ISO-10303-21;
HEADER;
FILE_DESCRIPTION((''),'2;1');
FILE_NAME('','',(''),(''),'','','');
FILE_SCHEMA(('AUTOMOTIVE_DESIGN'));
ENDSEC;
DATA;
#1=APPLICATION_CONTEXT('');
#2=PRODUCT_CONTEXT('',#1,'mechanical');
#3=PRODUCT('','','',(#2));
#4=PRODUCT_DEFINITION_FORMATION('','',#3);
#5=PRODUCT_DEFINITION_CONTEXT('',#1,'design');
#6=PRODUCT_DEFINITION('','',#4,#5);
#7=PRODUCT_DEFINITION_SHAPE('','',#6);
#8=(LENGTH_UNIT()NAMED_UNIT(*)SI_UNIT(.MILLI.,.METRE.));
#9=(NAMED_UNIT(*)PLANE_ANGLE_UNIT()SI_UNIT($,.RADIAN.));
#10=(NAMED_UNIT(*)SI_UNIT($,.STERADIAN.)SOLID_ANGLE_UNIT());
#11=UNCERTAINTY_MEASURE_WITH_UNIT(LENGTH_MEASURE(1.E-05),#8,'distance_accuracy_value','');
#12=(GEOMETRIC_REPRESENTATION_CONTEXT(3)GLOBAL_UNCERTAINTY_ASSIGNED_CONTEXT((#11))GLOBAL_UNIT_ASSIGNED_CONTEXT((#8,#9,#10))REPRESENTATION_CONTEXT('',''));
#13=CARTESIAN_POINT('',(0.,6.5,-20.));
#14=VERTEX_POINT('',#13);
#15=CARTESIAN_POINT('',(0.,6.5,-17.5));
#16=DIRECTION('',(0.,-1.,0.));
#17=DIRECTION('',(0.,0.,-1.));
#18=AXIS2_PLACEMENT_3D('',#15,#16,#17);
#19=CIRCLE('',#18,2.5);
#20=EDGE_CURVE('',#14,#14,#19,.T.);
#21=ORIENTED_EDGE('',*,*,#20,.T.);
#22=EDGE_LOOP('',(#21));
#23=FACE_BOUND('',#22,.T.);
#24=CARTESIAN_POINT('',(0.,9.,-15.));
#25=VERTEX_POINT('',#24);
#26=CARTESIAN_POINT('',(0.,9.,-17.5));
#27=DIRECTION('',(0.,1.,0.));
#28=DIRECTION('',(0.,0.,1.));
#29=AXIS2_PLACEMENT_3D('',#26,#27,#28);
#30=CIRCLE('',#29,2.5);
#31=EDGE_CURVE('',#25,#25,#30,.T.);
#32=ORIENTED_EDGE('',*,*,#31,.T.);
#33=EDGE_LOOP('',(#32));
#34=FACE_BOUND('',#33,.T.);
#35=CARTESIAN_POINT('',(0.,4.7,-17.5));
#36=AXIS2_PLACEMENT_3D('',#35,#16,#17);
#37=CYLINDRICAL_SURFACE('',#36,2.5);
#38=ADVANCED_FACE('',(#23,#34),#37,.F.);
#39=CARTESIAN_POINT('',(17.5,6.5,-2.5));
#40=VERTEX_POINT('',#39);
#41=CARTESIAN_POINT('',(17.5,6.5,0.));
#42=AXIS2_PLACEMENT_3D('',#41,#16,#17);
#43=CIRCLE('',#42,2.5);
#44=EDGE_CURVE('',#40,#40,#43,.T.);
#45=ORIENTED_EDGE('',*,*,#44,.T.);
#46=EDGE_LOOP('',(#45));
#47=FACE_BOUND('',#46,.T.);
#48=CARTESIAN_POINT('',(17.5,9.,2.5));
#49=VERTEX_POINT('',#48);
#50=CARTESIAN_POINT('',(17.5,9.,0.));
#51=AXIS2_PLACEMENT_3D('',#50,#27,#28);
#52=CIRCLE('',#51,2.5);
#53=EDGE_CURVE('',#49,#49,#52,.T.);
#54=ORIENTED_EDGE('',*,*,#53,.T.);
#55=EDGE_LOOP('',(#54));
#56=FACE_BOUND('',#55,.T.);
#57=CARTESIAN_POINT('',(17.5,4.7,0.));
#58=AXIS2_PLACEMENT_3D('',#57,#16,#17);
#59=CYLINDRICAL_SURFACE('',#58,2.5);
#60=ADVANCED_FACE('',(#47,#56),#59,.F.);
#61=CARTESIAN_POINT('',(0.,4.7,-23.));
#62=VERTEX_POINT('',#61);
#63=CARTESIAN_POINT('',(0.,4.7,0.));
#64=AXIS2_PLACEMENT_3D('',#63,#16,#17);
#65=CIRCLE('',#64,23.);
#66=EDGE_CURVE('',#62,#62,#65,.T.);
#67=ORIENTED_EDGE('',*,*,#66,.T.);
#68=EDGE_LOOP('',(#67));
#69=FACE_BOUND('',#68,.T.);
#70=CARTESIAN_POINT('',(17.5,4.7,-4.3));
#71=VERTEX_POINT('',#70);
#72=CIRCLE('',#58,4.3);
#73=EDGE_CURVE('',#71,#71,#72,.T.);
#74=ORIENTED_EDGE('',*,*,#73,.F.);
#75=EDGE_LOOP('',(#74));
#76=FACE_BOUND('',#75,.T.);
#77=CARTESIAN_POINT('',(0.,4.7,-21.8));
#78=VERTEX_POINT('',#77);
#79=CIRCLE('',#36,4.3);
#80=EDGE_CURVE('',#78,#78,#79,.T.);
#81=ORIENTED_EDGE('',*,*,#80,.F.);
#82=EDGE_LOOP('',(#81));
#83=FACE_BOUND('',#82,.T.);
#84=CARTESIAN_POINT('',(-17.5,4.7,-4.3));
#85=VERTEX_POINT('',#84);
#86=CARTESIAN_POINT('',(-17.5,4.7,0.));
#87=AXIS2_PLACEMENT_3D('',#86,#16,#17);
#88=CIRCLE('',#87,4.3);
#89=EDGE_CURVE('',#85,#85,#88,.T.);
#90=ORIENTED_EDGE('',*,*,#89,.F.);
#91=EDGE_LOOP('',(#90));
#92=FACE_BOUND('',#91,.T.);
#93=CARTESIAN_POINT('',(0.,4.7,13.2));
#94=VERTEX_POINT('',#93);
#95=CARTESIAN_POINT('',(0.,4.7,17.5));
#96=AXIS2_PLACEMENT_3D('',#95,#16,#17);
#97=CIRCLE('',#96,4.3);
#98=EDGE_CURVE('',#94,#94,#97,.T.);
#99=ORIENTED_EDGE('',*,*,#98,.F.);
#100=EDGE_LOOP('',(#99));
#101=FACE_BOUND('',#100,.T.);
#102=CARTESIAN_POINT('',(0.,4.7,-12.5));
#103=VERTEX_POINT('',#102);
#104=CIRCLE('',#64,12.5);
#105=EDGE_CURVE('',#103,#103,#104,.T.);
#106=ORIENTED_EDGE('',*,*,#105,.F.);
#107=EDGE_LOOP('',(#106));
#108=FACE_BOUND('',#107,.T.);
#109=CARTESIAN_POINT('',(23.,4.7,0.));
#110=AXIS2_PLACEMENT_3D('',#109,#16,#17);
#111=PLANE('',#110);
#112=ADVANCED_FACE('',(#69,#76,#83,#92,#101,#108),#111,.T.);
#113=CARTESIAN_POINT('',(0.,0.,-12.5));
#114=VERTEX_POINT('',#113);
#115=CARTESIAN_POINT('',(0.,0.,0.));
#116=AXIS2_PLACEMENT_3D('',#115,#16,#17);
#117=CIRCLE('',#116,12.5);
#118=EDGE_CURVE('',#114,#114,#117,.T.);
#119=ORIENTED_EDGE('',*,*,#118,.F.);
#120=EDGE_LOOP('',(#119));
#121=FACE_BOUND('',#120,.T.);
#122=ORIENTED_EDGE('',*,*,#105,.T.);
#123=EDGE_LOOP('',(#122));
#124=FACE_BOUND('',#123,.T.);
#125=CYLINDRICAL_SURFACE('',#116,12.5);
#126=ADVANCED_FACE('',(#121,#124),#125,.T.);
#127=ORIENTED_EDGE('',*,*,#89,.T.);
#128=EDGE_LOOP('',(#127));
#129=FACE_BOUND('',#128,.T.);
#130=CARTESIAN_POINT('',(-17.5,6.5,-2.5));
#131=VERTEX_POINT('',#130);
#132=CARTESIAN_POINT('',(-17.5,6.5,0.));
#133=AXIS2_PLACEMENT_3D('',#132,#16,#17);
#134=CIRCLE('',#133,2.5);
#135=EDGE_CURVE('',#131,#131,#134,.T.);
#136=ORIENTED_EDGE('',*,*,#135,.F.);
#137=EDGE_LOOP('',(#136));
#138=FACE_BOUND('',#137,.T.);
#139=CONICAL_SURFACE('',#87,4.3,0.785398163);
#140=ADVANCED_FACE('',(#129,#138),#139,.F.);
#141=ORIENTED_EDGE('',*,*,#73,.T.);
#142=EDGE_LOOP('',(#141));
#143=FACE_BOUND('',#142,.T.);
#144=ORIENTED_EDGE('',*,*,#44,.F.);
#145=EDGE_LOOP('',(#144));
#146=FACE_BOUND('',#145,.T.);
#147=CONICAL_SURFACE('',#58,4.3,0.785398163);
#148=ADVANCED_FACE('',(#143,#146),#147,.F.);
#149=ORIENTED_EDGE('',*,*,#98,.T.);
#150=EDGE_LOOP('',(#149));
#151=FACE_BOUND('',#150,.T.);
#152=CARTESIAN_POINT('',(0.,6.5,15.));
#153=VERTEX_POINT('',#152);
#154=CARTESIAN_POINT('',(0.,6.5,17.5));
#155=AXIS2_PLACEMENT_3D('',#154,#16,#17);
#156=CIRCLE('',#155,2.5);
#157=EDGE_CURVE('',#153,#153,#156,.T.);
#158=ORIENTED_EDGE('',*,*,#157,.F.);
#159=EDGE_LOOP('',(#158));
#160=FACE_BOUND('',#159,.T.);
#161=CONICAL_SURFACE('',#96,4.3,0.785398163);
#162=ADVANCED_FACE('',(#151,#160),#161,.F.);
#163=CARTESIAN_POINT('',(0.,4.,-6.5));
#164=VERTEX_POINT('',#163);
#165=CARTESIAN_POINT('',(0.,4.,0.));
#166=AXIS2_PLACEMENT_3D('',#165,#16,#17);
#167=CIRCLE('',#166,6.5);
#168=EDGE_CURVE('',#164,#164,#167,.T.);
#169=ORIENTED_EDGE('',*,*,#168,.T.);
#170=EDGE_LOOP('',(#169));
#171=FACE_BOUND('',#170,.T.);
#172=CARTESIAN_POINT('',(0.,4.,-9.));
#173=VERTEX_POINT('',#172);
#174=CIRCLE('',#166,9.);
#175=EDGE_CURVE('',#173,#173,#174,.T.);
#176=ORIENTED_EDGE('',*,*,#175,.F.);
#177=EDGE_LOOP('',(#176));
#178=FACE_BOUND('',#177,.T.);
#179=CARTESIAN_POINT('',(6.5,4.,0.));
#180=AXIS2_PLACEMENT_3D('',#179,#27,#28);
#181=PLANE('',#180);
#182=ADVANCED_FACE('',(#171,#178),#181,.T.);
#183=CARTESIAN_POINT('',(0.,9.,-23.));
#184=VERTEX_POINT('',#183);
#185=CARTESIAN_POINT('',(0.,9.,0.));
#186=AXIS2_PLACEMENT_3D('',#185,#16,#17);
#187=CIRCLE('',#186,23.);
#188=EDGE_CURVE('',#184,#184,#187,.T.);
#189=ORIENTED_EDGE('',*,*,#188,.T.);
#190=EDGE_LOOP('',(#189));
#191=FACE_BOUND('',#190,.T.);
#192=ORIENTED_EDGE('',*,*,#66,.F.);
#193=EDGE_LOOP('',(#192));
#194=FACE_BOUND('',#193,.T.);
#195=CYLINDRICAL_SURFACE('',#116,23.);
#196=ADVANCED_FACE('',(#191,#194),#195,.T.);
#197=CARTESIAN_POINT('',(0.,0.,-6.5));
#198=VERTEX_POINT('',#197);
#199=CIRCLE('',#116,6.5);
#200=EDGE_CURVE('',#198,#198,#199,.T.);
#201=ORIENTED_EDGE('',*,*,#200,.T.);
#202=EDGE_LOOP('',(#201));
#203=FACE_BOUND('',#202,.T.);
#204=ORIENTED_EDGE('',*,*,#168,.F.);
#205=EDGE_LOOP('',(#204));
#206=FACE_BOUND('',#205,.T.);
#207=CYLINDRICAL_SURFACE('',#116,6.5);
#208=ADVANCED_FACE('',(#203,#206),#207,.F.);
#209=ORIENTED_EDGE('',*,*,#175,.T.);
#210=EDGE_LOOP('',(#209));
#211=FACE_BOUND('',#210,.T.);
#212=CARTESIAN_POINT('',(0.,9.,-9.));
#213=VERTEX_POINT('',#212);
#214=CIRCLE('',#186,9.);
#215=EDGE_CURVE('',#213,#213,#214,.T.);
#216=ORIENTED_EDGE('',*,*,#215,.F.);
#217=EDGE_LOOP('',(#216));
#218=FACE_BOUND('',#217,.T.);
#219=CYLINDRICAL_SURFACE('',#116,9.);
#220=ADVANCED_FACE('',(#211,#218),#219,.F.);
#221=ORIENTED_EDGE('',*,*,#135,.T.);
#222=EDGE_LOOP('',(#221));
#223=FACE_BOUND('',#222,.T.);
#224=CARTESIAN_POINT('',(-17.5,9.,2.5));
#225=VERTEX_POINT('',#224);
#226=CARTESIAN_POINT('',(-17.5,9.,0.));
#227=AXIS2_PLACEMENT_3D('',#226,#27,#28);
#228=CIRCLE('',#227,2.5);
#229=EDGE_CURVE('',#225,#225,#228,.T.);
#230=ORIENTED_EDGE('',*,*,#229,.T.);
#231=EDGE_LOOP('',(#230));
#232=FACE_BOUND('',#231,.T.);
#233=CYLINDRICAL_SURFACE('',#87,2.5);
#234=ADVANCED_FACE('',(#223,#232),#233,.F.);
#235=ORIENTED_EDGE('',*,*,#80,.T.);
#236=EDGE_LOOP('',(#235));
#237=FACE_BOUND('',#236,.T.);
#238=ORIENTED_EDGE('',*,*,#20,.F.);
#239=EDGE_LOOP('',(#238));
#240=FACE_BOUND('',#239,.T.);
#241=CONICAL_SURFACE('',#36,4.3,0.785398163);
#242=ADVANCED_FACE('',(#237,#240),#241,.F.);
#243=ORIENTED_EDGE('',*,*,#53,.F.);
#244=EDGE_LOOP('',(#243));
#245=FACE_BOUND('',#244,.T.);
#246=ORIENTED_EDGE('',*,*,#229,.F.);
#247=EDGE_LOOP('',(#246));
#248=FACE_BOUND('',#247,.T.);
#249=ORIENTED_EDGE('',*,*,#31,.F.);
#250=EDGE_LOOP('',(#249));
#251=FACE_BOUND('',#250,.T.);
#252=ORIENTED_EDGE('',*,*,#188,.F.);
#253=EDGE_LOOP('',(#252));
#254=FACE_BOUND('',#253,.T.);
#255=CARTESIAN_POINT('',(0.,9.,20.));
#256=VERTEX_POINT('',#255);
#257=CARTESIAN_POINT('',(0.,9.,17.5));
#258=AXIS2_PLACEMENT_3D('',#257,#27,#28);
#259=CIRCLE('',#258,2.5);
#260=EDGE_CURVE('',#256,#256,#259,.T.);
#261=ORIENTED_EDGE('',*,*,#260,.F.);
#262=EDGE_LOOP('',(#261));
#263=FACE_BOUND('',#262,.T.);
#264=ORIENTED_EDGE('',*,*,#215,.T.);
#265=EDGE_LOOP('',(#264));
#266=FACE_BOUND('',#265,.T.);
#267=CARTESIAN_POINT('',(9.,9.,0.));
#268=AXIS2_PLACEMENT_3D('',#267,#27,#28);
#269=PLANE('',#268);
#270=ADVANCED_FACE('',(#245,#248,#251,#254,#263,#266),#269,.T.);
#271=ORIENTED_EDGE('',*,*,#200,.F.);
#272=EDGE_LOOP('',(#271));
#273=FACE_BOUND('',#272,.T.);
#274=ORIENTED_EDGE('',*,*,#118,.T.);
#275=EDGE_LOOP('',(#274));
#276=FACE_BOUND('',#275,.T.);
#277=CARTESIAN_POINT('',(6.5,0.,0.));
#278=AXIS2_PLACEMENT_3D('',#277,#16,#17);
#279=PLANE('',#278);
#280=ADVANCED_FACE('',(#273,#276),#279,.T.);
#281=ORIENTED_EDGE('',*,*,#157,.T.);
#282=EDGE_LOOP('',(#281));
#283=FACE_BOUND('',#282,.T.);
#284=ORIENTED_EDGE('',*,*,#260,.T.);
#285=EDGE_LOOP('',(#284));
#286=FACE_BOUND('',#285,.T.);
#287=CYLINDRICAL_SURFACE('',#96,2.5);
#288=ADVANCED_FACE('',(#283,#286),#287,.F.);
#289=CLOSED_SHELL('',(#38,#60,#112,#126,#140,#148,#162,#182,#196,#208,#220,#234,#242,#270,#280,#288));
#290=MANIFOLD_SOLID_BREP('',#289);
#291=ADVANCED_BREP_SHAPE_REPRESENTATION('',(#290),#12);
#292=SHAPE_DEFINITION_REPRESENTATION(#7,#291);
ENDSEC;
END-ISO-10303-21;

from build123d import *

# Parameters (mm, degrees)
FORO_SVASATO_PER_VITE_M5_1_D           = 5
FORO_SVASATO_PER_VITE_M5_1_CSINK_D     = 8.6
FORO_SVASATO_PER_VITE_M5_1_CSINK_ANGLE = 90
RIPETIZIONECIRCOLARE1_COUNT            = 4


with BuildPart() as part:
    # Schizzo1 → Rivoluzione1 (revolve)
    with BuildSketch(Plane.XY, mode=Mode.PRIVATE) as rivoluzione1_sk:
        Polygon((6.5, 0), (6.5, 4), (9, 4), (9, 9), (23, 9), (23, 4.7), (12.5, 4.7), (12.5, 0), align=None)
    revolve(rivoluzione1_sk.sketch.rotate(Axis((0, 0, 0), (0, 1, 0)), 90), axis=Axis((0, 0, 0), (0, 1, 0)))

    # Foro svasato per Vite M5-1 (through all)
    with Locations(Plane(origin=(0, 4.7, 0), x_dir=(-1, 0, 0), z_dir=(0, -1, 0))):
        with Locations((-17.5, 0)):
            foro_svasato_per_vite_m5_1 = CounterSinkHole(FORO_SVASATO_PER_VITE_M5_1_D / 2, FORO_SVASATO_PER_VITE_M5_1_CSINK_D / 2, counter_sink_angle=FORO_SVASATO_PER_VITE_M5_1_CSINK_ANGLE)

    # RipetizioneCircolare1: Foro svasato per Vite M5-1 ×4 about axis
    ripetizionecircolare1_axis = Axis((0, 0, 0), (0, 1, 0))
    for i in range(1, RIPETIZIONECIRCOLARE1_COUNT):
        add(foro_svasato_per_vite_m5_1.rotate(ripetizionecircolare1_axis, i * 360 / RIPETIZIONECIRCOLARE1_COUNT), mode=Mode.SUBTRACT)


solid = part.part
